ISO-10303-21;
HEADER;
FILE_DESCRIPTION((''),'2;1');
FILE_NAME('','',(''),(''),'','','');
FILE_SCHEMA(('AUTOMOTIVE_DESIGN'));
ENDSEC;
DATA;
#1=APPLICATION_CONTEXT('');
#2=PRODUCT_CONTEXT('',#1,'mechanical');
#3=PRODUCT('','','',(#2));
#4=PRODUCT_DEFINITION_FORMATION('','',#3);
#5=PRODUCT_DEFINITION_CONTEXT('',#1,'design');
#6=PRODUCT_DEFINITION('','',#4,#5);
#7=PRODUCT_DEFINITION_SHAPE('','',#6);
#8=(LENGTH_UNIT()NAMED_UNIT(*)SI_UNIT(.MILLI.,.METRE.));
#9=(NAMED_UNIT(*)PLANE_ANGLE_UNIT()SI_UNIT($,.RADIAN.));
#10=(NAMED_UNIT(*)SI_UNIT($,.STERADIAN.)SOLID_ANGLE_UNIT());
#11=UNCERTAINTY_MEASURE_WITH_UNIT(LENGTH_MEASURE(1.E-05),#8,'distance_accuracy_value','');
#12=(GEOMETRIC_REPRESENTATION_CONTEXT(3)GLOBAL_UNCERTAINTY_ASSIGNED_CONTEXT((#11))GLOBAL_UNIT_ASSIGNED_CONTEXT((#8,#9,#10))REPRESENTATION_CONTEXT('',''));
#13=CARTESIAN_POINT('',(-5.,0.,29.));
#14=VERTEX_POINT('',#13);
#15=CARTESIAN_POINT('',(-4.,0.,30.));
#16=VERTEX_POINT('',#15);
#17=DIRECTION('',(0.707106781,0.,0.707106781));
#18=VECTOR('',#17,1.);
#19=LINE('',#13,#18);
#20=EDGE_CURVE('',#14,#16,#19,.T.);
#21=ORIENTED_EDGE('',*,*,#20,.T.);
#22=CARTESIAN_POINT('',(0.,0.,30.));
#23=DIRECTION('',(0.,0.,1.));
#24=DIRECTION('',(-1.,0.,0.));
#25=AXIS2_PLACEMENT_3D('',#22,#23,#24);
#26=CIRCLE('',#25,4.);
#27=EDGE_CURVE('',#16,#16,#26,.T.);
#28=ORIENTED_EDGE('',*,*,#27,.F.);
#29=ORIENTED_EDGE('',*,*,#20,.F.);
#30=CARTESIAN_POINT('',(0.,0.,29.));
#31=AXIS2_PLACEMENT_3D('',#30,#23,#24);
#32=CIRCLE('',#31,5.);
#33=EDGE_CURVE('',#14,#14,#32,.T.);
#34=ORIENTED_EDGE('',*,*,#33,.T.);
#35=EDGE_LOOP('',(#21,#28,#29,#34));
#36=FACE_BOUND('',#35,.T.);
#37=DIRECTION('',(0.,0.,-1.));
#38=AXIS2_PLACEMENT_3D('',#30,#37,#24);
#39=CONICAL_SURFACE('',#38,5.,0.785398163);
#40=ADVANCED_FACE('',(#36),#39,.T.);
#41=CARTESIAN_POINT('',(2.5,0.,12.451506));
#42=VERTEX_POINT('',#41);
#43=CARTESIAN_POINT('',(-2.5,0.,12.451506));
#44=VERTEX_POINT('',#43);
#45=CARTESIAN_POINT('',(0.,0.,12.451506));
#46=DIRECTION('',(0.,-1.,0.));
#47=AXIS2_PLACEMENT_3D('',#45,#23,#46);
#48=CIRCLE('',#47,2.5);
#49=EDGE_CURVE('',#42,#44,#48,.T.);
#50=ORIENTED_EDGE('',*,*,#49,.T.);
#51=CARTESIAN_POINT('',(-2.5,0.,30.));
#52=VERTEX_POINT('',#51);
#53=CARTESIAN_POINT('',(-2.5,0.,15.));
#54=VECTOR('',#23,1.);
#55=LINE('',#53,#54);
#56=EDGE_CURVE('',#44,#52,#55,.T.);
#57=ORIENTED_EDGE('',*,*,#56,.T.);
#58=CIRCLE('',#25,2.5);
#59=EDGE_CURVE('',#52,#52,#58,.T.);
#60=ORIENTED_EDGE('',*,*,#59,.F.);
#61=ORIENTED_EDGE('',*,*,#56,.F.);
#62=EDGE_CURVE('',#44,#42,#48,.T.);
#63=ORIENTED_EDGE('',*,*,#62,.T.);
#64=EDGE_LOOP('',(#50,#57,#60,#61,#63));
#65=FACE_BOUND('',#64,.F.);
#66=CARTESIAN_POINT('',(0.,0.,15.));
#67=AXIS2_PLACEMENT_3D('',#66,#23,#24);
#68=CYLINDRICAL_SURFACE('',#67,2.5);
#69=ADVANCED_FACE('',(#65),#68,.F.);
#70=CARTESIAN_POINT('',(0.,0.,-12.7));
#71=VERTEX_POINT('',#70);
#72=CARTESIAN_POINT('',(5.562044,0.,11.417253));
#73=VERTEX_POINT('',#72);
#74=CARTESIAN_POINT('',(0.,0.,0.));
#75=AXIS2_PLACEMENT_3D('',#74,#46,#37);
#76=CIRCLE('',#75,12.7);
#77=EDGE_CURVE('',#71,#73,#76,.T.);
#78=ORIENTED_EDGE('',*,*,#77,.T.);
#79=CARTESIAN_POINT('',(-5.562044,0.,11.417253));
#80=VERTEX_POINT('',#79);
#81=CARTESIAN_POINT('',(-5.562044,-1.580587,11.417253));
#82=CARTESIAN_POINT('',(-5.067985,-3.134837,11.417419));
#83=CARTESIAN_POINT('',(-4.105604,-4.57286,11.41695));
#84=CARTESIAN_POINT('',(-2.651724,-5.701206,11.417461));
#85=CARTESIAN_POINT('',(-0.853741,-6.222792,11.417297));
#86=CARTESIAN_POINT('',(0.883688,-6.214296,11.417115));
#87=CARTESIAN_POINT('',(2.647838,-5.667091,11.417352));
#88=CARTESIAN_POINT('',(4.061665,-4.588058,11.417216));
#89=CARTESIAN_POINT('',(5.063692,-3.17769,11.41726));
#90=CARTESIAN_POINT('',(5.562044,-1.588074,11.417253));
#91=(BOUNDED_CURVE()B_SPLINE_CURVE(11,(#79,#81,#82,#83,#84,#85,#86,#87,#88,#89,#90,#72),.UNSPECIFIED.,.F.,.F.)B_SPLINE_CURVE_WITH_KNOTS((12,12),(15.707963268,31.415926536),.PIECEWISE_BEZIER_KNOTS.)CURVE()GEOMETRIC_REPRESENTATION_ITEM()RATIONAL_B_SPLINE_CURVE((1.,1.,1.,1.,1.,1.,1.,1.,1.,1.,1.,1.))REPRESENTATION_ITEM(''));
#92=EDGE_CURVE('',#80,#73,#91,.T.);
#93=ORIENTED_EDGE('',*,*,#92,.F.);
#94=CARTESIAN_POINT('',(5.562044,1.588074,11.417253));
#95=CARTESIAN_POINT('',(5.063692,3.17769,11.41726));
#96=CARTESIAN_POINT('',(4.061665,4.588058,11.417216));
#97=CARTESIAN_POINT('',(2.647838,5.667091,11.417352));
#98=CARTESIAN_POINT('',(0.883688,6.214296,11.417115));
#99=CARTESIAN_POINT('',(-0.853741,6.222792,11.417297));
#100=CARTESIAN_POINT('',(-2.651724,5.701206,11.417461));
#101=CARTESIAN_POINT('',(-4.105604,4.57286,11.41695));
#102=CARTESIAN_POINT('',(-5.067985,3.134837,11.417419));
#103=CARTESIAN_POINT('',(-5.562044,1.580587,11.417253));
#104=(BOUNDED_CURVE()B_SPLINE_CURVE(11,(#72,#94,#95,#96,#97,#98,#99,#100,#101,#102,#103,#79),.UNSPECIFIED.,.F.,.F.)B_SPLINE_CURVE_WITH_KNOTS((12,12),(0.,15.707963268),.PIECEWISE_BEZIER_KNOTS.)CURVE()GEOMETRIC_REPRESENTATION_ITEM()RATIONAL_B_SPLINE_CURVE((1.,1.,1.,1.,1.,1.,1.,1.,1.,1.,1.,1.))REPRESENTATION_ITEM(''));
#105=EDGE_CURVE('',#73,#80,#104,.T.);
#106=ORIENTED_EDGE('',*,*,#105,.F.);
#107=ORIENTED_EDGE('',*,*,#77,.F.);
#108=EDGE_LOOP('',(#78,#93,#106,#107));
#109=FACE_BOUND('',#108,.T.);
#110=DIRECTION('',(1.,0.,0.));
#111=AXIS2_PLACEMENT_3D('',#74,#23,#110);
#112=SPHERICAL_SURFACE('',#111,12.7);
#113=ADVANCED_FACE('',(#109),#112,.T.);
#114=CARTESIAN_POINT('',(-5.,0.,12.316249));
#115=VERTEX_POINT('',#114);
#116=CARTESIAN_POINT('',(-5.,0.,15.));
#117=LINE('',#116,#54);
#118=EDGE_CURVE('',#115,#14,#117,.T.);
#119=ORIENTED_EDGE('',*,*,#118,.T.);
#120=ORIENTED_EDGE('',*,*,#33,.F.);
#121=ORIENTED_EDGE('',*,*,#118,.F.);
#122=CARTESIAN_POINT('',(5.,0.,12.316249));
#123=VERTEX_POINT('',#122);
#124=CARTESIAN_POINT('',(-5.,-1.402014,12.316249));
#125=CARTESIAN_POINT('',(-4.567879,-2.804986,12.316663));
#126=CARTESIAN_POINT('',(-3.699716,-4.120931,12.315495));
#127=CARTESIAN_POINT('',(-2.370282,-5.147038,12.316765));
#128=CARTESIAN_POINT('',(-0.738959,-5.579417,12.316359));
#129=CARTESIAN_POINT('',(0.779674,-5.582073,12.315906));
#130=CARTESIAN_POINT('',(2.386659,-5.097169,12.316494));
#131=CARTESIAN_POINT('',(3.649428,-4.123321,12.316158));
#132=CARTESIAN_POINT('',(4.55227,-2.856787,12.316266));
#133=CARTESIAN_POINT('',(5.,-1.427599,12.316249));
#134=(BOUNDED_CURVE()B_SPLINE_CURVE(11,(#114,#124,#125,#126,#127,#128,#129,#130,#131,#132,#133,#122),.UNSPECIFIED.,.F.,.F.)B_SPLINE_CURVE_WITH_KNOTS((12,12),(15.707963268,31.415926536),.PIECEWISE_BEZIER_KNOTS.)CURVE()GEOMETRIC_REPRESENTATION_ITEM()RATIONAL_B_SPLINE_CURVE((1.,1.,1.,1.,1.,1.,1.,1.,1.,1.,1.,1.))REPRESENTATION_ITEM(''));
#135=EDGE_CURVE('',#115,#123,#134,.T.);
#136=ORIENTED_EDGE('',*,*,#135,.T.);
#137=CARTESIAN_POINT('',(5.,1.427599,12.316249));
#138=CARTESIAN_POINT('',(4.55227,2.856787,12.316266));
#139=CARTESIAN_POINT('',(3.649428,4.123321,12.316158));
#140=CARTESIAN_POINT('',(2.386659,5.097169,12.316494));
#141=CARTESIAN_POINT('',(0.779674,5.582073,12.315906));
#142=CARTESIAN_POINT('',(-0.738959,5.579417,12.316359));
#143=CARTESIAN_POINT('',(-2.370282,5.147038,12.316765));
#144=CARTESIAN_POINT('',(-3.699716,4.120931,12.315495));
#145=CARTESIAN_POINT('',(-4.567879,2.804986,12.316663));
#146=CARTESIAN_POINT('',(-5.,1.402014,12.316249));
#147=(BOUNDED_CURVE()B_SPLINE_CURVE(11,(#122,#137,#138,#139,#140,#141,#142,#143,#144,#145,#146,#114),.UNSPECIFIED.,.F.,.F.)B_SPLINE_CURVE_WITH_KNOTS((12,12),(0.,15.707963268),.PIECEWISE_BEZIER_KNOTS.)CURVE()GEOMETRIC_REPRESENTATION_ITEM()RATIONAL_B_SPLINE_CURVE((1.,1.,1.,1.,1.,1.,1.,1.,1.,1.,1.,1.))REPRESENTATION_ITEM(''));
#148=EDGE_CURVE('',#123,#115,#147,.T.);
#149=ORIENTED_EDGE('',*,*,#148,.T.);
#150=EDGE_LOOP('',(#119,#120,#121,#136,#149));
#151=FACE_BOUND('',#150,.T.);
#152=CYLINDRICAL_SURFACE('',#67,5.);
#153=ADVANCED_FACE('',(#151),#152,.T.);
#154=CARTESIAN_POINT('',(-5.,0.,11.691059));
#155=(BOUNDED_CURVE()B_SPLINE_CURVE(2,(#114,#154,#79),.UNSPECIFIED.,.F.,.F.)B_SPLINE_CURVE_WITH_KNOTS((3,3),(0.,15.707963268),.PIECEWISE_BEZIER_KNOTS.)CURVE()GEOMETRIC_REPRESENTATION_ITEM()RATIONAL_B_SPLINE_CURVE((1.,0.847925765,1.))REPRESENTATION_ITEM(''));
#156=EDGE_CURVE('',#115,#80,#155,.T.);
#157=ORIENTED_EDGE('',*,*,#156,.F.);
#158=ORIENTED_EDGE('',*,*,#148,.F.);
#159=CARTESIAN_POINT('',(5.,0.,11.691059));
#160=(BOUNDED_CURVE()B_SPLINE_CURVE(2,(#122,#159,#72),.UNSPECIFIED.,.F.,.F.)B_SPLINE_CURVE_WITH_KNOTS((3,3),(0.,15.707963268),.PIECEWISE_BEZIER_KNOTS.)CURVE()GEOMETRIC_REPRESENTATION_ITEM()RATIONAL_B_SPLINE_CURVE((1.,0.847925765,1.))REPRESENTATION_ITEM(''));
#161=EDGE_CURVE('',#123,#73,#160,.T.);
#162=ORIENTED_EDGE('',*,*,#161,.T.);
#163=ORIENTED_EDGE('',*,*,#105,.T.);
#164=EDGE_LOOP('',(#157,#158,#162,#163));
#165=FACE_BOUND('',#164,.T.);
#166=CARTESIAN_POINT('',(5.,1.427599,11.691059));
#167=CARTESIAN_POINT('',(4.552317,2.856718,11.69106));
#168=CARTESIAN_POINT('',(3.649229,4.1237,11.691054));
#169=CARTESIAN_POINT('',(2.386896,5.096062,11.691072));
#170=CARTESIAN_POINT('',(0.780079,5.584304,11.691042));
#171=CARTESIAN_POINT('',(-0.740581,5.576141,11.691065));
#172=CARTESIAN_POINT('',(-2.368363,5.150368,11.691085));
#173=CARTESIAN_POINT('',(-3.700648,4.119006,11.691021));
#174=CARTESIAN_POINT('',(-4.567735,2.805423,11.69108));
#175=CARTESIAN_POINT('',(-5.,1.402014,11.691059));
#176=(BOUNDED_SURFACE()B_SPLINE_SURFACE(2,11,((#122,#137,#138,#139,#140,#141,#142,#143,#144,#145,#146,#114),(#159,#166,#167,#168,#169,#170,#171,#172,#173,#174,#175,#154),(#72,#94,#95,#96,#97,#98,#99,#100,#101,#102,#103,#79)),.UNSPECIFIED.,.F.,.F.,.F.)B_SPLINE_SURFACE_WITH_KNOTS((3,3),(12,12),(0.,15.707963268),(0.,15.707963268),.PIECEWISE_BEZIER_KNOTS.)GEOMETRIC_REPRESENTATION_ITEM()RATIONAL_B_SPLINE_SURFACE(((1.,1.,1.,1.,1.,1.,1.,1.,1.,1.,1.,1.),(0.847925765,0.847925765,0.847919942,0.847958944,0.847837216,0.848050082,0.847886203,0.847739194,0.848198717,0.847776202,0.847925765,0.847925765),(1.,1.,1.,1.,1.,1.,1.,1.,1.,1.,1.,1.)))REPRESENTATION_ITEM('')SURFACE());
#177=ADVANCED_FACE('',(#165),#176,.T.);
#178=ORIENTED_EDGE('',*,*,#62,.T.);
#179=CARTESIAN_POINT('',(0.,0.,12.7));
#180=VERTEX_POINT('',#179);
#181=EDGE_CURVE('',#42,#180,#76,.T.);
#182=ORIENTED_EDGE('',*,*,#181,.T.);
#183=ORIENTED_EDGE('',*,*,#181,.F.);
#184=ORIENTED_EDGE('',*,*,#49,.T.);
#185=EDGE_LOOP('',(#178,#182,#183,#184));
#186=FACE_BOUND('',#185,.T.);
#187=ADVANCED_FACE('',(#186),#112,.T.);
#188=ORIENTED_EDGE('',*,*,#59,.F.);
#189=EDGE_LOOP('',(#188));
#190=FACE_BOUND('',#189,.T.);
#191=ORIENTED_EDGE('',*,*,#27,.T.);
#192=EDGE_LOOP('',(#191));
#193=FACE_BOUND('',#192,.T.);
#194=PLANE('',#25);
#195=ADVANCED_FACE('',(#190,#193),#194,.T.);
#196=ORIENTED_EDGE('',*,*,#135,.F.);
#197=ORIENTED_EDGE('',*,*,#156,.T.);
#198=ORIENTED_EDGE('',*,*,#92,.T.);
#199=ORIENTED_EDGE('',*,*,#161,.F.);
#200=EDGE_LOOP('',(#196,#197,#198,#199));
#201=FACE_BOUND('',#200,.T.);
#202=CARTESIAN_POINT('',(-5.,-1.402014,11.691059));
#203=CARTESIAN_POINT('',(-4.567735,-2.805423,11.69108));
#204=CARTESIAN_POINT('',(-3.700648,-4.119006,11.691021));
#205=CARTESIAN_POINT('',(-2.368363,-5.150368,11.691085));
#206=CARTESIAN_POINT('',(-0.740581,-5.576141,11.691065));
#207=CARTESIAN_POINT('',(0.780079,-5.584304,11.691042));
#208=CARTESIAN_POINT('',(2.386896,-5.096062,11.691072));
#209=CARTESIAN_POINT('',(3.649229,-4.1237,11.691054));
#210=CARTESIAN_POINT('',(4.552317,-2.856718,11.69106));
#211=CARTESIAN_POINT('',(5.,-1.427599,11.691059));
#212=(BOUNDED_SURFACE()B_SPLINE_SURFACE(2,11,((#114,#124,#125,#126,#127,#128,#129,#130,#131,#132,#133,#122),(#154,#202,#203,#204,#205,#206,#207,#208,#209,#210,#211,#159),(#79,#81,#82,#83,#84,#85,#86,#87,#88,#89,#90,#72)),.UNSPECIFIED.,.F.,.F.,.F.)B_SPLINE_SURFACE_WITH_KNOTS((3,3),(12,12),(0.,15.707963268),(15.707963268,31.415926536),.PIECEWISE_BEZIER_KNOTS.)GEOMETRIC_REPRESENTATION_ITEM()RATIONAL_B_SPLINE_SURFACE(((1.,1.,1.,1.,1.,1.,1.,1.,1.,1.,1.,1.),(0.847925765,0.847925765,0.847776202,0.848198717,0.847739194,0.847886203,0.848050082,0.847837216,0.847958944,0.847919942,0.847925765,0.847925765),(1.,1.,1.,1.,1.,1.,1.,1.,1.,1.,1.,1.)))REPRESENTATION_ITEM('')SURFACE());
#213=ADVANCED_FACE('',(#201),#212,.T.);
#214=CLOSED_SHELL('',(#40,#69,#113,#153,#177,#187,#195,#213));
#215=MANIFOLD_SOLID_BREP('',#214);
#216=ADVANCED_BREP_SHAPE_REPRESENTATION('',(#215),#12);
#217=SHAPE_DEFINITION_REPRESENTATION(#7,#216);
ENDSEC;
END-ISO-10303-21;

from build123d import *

# Parameters (mm, degrees)
F2_W    = 2.5
F2_H    = 30
F4_SIZE = 1
F5_R    = 1


with BuildPart() as f1:
    # F0 (on Front) → F1 (revolve)
    with BuildSketch(Plane.XZ):
        with BuildLine():
            Line((0, 12.7), (0, -12.7))
            ThreePointArc((0, -12.7), (12.7, 0), (0, 12.7))
        make_face()
    revolve(axis=Axis((0, 0, 15.411814), (0, 0, 1)))

    # F2 (on Front) → F3 (revolve)
    with BuildSketch(Plane.XZ):
        with Locations((-3.75, 15)):
            Rectangle(F2_W, F2_H)
    revolve(axis=Axis((0, 0, 22.430043), (0, 0, 1)))

    # F4
    f4_edges = [f1.edges().sort_by_distance(p)[0] for p in [
        (5, 0, 30),
    ]]
    chamfer(f4_edges, length=F4_SIZE)

    # F5
    f5_edges = [f1.edges().sort_by_distance(p)[0] for p in [
        (0, 5, 11.674331),
        (0, -5, 11.674331),
    ]]
    fillet(f5_edges, radius=F5_R)


solid = f1.part
